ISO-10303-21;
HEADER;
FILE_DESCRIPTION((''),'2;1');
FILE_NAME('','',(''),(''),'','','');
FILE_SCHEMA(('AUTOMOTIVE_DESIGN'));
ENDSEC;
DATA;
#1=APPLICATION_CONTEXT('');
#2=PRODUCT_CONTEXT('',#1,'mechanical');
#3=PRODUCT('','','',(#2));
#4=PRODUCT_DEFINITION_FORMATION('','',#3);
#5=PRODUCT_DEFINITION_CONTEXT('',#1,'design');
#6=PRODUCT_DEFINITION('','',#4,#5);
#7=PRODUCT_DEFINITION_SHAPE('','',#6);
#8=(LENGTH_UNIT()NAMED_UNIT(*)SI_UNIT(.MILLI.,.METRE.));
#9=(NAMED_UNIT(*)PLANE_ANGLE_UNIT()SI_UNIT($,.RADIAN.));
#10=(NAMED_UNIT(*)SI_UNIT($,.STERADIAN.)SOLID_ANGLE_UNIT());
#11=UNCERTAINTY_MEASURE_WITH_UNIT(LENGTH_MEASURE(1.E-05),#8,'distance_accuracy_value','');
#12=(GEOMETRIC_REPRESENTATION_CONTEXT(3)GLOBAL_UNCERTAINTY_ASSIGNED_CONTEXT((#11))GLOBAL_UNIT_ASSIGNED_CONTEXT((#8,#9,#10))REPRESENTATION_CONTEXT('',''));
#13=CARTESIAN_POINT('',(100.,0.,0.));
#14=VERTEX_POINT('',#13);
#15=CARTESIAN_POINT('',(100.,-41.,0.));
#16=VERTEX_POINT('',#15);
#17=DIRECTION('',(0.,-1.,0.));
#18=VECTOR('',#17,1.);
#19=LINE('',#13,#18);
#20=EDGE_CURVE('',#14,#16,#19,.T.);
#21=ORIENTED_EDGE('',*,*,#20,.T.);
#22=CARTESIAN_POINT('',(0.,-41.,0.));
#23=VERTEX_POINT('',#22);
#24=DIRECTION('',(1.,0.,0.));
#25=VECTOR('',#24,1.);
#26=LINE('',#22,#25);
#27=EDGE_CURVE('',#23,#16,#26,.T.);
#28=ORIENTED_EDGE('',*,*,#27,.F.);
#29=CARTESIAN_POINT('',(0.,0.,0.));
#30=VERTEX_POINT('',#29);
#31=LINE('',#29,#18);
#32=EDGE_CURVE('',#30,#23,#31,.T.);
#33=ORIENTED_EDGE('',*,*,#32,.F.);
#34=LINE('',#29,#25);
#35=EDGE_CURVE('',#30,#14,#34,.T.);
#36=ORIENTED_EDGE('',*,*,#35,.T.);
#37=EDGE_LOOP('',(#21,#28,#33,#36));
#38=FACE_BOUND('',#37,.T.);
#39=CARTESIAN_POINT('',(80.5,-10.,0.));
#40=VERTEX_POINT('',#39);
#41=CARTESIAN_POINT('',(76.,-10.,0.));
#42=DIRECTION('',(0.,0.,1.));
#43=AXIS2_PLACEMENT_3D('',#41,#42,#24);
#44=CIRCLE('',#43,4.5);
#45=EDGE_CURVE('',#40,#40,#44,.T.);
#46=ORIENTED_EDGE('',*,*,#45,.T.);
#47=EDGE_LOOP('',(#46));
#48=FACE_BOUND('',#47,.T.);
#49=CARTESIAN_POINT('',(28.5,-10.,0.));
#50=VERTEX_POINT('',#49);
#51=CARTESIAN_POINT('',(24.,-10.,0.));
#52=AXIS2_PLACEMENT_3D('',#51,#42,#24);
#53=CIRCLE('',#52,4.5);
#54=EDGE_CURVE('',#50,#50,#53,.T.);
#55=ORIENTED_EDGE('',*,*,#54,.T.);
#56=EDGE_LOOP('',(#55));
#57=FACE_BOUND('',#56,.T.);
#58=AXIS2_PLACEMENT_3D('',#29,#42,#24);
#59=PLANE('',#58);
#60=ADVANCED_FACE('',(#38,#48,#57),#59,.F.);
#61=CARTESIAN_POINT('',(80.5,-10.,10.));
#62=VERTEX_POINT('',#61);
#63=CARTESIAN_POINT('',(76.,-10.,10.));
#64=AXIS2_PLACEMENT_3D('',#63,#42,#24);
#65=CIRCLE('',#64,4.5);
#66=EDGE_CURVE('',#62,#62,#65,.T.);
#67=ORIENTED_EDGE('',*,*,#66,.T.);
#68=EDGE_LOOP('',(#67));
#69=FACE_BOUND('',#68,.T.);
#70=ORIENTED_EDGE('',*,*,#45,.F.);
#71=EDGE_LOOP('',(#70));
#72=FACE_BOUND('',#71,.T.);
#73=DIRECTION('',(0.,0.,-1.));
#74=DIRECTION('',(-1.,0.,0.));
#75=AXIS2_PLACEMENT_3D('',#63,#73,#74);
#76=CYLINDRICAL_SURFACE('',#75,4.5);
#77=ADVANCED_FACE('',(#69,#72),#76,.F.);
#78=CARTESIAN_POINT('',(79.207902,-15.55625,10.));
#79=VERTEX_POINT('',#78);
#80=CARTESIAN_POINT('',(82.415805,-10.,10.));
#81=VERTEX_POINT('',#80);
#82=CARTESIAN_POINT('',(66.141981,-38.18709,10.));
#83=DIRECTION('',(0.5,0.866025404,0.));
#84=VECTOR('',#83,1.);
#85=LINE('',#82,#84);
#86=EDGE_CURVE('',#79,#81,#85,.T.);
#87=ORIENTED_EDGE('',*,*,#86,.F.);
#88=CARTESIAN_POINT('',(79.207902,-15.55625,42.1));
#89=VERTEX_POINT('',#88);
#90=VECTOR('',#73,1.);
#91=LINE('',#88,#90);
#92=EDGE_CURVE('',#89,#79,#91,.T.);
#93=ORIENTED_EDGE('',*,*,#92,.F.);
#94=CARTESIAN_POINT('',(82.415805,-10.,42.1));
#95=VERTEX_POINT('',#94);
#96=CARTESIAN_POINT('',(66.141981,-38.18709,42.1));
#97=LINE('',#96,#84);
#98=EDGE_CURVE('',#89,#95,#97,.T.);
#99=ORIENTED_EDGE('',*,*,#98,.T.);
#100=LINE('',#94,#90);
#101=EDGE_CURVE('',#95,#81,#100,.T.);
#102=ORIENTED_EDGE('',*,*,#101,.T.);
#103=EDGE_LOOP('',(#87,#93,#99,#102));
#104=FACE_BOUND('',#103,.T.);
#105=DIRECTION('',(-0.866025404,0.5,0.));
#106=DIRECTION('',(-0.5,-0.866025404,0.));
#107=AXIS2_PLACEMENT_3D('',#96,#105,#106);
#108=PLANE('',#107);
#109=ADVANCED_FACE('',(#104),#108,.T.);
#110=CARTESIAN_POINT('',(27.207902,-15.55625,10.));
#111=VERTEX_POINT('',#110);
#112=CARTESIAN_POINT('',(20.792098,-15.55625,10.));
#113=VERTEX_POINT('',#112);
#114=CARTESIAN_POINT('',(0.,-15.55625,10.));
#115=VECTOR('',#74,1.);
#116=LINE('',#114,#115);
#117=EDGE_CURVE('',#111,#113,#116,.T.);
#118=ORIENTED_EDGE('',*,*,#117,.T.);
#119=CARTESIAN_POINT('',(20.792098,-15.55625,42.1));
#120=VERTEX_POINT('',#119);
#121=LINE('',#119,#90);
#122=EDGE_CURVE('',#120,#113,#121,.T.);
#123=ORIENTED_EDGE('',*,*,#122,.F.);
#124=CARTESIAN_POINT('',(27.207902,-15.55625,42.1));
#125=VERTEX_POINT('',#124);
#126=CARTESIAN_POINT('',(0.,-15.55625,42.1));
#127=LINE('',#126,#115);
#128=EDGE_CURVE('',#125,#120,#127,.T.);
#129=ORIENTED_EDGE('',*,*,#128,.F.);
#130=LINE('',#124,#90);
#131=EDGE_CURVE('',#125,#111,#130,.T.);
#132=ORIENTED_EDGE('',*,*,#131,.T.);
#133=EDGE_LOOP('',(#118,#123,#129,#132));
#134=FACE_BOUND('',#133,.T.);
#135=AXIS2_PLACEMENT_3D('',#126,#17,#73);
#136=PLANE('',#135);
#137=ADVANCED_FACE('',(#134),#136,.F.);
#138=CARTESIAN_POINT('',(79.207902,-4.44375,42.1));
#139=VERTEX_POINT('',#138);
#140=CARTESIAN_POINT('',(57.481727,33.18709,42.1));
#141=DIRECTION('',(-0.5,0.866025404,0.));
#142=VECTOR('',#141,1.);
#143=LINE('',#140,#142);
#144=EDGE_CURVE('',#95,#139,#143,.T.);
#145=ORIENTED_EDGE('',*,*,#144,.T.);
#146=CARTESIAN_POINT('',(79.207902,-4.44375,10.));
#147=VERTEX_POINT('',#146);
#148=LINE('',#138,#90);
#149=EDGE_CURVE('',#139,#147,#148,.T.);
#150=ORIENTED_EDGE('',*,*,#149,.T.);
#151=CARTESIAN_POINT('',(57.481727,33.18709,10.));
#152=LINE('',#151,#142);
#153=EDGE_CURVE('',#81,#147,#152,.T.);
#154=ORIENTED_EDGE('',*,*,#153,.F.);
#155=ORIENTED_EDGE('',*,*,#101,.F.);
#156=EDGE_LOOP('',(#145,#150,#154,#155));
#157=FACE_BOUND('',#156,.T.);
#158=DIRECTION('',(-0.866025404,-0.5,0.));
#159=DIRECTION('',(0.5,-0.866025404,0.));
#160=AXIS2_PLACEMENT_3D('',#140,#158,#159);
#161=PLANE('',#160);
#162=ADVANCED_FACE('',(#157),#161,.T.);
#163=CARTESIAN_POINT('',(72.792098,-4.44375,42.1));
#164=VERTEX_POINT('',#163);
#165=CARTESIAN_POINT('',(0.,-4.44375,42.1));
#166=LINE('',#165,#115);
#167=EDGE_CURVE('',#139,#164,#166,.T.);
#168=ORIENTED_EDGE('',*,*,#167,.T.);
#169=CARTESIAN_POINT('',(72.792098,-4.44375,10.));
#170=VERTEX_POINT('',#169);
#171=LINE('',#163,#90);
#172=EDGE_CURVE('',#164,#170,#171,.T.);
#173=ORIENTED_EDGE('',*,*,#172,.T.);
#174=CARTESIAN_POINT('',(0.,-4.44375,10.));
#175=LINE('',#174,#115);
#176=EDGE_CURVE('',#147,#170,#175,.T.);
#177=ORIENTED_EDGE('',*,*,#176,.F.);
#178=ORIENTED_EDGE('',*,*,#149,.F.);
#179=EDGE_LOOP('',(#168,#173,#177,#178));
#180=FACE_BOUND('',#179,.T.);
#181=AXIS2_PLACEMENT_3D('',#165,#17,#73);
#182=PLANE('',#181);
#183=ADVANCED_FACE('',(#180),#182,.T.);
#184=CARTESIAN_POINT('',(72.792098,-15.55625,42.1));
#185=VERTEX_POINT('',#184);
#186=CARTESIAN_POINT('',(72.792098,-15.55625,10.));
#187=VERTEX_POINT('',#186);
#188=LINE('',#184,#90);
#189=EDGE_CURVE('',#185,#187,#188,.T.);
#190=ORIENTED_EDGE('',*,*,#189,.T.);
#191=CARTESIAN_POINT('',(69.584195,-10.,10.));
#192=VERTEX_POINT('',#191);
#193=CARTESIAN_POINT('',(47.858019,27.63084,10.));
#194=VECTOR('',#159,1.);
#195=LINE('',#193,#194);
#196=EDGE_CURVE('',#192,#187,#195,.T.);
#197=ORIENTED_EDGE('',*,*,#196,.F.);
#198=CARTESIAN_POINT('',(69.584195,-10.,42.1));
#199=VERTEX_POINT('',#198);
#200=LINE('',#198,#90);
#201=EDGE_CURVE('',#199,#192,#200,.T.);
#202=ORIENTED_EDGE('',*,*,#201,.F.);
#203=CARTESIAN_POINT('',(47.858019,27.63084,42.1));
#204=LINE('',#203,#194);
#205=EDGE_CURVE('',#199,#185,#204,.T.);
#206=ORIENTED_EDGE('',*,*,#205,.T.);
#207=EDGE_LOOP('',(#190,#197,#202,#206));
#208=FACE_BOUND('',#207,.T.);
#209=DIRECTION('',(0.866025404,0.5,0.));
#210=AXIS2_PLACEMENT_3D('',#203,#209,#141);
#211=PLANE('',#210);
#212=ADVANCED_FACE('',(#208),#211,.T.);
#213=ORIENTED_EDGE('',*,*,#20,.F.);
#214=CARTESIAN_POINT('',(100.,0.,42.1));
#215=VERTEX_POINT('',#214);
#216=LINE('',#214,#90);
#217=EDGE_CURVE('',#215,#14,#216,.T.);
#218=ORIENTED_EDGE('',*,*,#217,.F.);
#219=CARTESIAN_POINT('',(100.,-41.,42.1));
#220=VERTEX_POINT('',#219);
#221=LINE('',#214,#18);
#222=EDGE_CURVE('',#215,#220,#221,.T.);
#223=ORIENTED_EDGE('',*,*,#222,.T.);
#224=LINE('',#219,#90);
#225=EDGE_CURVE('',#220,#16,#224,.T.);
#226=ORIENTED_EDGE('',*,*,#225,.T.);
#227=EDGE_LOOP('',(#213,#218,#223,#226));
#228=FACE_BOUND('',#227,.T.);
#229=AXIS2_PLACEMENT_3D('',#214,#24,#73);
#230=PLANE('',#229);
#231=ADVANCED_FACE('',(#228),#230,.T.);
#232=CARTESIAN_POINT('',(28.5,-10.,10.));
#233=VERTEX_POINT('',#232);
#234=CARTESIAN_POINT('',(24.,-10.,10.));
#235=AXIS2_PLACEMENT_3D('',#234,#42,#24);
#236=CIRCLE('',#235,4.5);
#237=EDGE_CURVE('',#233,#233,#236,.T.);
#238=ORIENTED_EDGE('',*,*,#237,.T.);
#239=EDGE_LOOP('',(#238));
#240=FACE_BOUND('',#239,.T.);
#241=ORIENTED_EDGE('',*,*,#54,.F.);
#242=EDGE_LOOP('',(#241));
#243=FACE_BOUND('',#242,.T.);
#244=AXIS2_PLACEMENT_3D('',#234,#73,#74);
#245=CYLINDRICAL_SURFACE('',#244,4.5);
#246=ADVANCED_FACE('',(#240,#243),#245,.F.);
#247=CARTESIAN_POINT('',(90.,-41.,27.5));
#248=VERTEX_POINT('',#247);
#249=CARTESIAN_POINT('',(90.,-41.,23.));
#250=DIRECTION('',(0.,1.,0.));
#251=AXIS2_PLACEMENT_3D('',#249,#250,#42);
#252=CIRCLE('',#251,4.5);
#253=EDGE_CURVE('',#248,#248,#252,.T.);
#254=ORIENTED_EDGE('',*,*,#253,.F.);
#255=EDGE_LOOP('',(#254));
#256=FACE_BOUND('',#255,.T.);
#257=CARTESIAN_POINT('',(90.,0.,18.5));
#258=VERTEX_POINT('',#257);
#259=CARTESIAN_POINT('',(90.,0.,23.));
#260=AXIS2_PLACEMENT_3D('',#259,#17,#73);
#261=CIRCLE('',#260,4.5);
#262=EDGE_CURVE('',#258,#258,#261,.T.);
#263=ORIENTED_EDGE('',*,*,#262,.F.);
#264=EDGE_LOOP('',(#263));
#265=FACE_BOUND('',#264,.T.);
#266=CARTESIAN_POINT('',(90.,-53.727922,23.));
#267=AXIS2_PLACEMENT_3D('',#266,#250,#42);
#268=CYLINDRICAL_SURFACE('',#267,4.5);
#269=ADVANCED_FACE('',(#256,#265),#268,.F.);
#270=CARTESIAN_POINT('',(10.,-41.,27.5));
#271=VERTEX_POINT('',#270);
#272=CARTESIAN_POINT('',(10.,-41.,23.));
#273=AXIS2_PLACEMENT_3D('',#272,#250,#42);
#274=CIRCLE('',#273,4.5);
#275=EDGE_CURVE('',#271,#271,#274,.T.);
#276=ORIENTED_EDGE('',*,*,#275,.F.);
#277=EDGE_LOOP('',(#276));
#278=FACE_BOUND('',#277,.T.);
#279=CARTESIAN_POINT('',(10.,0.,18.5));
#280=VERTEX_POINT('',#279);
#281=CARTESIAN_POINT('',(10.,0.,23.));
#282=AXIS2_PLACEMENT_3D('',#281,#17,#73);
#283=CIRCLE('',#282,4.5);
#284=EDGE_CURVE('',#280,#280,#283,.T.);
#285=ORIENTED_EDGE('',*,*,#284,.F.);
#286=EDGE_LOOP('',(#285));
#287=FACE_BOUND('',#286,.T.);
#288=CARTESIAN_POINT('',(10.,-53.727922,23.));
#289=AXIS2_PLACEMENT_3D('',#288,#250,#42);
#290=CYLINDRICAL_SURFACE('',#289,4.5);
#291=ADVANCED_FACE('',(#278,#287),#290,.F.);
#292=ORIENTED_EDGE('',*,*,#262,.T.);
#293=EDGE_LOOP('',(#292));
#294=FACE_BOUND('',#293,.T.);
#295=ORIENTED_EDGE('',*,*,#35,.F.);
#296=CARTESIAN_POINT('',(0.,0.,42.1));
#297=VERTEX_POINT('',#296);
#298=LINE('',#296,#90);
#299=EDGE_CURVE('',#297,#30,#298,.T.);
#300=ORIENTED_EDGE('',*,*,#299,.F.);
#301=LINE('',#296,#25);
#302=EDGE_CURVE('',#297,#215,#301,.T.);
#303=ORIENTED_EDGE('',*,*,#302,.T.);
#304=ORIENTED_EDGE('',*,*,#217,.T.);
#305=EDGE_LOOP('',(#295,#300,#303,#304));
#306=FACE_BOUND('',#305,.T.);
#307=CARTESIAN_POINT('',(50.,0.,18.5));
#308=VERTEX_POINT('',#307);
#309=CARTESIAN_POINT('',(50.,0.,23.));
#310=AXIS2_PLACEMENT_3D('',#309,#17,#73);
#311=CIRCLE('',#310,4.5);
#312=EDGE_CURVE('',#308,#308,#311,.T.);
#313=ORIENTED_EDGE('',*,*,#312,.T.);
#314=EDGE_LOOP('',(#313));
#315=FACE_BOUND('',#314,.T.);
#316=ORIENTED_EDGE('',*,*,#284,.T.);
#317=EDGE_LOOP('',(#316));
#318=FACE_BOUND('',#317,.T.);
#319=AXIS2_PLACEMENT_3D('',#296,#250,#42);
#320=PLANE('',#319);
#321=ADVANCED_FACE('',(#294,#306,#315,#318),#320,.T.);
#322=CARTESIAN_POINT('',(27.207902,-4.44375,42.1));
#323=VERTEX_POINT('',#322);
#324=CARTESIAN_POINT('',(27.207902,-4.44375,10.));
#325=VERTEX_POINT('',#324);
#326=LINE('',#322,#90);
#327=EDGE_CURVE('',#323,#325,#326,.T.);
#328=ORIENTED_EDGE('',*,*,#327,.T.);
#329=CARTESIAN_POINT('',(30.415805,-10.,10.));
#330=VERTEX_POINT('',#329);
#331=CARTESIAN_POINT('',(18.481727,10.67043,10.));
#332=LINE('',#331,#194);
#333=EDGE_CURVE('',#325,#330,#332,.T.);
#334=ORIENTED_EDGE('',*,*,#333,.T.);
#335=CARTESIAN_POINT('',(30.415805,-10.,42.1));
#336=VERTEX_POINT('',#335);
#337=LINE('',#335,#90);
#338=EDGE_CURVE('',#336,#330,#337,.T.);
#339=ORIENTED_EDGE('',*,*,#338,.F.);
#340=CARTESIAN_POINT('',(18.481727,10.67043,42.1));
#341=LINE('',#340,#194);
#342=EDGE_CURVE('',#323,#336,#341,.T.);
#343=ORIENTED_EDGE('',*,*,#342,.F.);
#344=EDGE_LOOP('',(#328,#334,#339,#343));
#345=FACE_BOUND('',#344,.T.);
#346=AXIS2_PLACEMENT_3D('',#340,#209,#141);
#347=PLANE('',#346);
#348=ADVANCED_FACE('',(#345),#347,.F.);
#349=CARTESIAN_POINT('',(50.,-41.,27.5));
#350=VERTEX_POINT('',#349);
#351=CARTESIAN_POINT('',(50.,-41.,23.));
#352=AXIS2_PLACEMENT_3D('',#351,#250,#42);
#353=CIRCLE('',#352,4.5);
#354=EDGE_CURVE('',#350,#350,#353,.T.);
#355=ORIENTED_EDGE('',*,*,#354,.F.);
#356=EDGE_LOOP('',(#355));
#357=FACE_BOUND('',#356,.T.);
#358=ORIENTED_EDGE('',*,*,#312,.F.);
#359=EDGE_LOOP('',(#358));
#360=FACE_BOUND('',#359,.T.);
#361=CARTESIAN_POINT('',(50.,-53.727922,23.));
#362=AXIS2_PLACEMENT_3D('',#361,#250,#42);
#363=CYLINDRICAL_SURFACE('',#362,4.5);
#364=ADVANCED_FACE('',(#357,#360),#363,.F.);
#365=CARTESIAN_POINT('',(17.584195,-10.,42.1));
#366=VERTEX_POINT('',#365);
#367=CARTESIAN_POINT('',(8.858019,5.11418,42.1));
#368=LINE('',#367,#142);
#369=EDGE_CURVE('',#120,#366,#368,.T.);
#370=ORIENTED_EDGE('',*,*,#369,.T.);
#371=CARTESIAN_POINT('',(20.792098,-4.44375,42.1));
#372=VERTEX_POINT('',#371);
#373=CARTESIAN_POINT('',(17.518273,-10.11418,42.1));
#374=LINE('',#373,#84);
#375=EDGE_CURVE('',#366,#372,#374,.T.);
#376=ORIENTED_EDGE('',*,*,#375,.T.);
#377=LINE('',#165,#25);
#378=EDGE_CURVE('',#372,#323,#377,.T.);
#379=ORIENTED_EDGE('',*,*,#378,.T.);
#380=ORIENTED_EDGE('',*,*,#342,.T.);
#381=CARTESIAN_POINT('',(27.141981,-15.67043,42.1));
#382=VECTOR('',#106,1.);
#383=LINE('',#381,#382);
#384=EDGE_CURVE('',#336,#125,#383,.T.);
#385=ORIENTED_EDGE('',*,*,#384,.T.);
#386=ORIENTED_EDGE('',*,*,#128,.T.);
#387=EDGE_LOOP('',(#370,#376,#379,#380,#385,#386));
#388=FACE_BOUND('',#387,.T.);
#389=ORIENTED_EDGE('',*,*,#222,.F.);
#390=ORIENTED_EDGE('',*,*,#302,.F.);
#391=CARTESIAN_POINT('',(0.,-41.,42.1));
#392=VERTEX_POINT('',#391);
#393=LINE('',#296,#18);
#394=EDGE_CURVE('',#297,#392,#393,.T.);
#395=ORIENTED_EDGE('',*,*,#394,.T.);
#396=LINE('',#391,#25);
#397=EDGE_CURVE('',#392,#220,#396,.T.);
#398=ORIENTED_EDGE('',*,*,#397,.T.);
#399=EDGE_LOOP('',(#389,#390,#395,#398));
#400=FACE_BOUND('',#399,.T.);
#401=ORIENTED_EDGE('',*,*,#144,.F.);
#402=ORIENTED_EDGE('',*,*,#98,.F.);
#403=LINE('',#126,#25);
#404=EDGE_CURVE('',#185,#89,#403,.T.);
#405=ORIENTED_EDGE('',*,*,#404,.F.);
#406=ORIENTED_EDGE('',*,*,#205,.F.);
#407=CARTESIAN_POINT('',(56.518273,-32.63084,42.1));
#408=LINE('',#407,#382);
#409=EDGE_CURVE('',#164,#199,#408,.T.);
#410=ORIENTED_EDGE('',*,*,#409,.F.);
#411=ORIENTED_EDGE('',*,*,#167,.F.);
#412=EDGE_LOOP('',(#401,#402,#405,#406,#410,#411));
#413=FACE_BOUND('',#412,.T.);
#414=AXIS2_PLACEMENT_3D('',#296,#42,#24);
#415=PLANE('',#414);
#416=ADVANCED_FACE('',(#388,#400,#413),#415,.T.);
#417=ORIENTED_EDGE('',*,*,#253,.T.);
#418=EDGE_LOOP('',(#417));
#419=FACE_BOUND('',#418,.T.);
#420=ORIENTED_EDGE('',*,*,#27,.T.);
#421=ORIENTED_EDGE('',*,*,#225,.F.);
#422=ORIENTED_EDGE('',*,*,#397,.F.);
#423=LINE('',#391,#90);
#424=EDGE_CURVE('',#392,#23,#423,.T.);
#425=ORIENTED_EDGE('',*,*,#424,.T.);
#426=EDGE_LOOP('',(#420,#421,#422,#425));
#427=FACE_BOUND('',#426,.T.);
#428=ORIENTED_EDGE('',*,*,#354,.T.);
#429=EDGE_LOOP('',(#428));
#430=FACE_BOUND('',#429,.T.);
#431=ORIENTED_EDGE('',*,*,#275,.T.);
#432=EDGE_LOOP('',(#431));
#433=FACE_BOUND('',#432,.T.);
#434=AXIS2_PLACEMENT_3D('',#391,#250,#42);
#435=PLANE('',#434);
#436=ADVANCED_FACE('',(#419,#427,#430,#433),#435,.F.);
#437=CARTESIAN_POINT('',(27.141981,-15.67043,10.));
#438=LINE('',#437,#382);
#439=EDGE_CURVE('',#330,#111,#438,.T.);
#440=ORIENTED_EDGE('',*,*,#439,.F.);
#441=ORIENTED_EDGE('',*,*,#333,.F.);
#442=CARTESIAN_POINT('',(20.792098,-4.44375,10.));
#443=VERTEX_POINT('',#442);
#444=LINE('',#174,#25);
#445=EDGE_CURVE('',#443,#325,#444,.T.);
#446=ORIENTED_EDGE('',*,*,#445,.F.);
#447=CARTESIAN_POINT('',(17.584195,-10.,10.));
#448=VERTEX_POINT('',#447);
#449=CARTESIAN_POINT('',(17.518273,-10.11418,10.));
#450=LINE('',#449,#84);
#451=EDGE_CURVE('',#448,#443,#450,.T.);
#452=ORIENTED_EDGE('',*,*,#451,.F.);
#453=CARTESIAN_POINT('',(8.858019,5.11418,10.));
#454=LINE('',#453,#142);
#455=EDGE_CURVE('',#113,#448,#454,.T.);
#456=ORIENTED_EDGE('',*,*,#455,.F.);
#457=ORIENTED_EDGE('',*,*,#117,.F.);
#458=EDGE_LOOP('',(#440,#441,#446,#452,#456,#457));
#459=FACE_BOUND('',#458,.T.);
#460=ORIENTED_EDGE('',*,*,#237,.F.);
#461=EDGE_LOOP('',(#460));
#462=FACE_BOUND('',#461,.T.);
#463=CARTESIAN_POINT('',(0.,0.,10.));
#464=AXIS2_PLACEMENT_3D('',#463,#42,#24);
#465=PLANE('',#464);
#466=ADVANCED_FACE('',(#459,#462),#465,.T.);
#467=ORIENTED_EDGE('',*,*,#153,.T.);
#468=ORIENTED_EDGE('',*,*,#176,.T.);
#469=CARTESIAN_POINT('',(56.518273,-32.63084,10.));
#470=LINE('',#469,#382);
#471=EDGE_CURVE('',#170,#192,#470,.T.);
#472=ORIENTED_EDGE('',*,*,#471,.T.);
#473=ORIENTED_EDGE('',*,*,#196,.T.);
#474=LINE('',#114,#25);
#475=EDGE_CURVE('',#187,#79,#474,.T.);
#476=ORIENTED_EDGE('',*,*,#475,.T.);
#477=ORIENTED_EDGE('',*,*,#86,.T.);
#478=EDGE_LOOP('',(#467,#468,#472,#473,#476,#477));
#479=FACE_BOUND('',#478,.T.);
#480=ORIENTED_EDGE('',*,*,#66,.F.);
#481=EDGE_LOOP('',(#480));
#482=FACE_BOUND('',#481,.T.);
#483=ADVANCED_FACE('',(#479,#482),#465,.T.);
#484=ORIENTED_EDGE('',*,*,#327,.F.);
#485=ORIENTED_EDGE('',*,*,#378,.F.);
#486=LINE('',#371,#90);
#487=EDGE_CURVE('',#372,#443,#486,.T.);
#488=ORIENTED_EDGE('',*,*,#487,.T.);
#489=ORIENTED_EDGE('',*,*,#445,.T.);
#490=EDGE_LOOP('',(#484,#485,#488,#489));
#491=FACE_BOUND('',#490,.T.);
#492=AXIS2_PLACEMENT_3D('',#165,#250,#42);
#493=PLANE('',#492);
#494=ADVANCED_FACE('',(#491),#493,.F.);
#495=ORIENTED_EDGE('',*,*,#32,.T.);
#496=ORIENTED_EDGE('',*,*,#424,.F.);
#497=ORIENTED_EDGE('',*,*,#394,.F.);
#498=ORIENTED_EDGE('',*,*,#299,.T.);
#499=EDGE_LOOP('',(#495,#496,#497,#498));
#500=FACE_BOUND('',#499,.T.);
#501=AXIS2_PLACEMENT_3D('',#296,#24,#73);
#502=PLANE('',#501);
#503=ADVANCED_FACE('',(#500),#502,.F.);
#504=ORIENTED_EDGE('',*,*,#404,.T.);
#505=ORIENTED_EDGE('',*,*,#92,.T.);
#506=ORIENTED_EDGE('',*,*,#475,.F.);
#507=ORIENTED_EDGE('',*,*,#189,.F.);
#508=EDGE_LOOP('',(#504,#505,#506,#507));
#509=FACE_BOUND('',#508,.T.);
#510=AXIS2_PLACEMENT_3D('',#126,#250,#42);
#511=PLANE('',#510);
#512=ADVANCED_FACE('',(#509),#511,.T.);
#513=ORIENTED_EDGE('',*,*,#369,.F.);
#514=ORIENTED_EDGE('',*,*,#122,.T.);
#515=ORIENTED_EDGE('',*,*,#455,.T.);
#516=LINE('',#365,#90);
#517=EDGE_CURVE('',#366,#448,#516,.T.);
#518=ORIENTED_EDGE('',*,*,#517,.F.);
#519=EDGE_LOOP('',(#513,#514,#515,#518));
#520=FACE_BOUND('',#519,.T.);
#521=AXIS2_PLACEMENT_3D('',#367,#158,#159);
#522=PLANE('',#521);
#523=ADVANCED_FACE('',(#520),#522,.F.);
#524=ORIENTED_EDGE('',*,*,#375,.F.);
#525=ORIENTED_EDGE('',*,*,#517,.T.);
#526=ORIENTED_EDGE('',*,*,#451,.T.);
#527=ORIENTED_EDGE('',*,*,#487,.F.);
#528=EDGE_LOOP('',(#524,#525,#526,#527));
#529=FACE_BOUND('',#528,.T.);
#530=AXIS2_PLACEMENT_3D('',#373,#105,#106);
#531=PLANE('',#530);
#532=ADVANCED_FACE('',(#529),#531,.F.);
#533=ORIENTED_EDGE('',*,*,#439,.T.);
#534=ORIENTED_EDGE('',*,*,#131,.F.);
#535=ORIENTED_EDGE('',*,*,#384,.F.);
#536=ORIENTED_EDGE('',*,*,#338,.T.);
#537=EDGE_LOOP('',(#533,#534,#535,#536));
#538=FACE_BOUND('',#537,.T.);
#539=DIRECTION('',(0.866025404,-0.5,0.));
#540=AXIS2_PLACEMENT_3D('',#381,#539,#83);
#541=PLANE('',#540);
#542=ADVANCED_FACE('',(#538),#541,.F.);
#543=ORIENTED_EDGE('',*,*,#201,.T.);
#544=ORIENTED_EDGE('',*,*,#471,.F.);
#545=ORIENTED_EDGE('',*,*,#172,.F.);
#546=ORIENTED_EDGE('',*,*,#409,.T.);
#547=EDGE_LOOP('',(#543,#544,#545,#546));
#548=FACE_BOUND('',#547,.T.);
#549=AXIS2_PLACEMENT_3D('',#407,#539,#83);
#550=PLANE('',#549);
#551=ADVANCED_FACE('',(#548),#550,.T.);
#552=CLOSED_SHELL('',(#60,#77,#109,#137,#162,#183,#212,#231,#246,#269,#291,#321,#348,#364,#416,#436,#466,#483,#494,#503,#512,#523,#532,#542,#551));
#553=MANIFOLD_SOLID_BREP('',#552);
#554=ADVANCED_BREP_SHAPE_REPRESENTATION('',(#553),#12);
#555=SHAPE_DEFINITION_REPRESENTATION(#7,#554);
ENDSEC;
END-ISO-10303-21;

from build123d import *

# Parameters (mm, degrees)
SKETCH1_W           = 100
SKETCH1_H           = 41
BOSS_EXTRUDE1_DEPTH = 42.1
SKETCH2_R           = 4.5
CUT_EXTRUDE1_DEPTH  = 41
SKETCH1_3_R         = 4.5
BOSS_EXTRUDE2_DEPTH = 10


with BuildPart() as part:
    # Sketch1 → Boss-Extrude1 (new body)
    with BuildSketch(Plane.XY):
        with Locations((50, -20.5)):
            Rectangle(SKETCH1_W, SKETCH1_H)
        Polygon((79.207902433, -4.44375), (72.792097567, -4.44375), (69.584195134, -10), (72.792097567, -15.55625), (79.207902433, -15.55625), (82.415804866, -10), align=None, mode=Mode.SUBTRACT)
        Polygon((20.792097567, -15.55625), (17.584195134, -10), (20.792097567, -4.44375), (27.207902433, -4.44375), (30.415804866, -10), (27.207902433, -15.55625), align=None, mode=Mode.SUBTRACT)
    extrude(amount=BOSS_EXTRUDE1_DEPTH)

    # Sketch2 → Cut-Extrude1 (cut)
    with BuildSketch(Plane(origin=(0, 0, 0), x_dir=(-1, 0, 0), z_dir=(0, -1, 0))):
        with Locations(Location((-10, -23, 0), (0, 0, 270))):
            Circle(SKETCH2_R)
        with Locations(Location((-50, -23, 0), (0, 0, 270))):
            Circle(SKETCH2_R)
        with Locations(Location((-90, -23, 0), (0, 0, 270))):
            Circle(SKETCH2_R)
    extrude(amount=CUT_EXTRUDE1_DEPTH, mode=Mode.SUBTRACT)

    # Sketch1<3> → Boss-Extrude2 (add)
    # profile 1 of 2: a face of its own
    with BuildSketch(Plane.XY):
        Polygon((27.207902433, -4.44375), (20.792097567, -4.44375), (17.584195134, -10), (20.792097567, -15.55625), (27.207902433, -15.55625), (30.415804866, -10), align=None)
        with Locations((24, -10)):
            Circle(SKETCH1_3_R, mode=Mode.SUBTRACT)
    # profile 2 of 2: a face of its own
    with BuildSketch(Plane.XY):
        Polygon((79.207902433, -15.55625), (82.415804866, -10), (79.207902433, -4.44375), (72.792097567, -4.44375), (69.584195134, -10), (72.792097567, -15.55625), align=None)
        with Locations((76, -10)):
            Circle(SKETCH1_3_R, mode=Mode.SUBTRACT)
    extrude(amount=BOSS_EXTRUDE2_DEPTH)


solid = part.part
